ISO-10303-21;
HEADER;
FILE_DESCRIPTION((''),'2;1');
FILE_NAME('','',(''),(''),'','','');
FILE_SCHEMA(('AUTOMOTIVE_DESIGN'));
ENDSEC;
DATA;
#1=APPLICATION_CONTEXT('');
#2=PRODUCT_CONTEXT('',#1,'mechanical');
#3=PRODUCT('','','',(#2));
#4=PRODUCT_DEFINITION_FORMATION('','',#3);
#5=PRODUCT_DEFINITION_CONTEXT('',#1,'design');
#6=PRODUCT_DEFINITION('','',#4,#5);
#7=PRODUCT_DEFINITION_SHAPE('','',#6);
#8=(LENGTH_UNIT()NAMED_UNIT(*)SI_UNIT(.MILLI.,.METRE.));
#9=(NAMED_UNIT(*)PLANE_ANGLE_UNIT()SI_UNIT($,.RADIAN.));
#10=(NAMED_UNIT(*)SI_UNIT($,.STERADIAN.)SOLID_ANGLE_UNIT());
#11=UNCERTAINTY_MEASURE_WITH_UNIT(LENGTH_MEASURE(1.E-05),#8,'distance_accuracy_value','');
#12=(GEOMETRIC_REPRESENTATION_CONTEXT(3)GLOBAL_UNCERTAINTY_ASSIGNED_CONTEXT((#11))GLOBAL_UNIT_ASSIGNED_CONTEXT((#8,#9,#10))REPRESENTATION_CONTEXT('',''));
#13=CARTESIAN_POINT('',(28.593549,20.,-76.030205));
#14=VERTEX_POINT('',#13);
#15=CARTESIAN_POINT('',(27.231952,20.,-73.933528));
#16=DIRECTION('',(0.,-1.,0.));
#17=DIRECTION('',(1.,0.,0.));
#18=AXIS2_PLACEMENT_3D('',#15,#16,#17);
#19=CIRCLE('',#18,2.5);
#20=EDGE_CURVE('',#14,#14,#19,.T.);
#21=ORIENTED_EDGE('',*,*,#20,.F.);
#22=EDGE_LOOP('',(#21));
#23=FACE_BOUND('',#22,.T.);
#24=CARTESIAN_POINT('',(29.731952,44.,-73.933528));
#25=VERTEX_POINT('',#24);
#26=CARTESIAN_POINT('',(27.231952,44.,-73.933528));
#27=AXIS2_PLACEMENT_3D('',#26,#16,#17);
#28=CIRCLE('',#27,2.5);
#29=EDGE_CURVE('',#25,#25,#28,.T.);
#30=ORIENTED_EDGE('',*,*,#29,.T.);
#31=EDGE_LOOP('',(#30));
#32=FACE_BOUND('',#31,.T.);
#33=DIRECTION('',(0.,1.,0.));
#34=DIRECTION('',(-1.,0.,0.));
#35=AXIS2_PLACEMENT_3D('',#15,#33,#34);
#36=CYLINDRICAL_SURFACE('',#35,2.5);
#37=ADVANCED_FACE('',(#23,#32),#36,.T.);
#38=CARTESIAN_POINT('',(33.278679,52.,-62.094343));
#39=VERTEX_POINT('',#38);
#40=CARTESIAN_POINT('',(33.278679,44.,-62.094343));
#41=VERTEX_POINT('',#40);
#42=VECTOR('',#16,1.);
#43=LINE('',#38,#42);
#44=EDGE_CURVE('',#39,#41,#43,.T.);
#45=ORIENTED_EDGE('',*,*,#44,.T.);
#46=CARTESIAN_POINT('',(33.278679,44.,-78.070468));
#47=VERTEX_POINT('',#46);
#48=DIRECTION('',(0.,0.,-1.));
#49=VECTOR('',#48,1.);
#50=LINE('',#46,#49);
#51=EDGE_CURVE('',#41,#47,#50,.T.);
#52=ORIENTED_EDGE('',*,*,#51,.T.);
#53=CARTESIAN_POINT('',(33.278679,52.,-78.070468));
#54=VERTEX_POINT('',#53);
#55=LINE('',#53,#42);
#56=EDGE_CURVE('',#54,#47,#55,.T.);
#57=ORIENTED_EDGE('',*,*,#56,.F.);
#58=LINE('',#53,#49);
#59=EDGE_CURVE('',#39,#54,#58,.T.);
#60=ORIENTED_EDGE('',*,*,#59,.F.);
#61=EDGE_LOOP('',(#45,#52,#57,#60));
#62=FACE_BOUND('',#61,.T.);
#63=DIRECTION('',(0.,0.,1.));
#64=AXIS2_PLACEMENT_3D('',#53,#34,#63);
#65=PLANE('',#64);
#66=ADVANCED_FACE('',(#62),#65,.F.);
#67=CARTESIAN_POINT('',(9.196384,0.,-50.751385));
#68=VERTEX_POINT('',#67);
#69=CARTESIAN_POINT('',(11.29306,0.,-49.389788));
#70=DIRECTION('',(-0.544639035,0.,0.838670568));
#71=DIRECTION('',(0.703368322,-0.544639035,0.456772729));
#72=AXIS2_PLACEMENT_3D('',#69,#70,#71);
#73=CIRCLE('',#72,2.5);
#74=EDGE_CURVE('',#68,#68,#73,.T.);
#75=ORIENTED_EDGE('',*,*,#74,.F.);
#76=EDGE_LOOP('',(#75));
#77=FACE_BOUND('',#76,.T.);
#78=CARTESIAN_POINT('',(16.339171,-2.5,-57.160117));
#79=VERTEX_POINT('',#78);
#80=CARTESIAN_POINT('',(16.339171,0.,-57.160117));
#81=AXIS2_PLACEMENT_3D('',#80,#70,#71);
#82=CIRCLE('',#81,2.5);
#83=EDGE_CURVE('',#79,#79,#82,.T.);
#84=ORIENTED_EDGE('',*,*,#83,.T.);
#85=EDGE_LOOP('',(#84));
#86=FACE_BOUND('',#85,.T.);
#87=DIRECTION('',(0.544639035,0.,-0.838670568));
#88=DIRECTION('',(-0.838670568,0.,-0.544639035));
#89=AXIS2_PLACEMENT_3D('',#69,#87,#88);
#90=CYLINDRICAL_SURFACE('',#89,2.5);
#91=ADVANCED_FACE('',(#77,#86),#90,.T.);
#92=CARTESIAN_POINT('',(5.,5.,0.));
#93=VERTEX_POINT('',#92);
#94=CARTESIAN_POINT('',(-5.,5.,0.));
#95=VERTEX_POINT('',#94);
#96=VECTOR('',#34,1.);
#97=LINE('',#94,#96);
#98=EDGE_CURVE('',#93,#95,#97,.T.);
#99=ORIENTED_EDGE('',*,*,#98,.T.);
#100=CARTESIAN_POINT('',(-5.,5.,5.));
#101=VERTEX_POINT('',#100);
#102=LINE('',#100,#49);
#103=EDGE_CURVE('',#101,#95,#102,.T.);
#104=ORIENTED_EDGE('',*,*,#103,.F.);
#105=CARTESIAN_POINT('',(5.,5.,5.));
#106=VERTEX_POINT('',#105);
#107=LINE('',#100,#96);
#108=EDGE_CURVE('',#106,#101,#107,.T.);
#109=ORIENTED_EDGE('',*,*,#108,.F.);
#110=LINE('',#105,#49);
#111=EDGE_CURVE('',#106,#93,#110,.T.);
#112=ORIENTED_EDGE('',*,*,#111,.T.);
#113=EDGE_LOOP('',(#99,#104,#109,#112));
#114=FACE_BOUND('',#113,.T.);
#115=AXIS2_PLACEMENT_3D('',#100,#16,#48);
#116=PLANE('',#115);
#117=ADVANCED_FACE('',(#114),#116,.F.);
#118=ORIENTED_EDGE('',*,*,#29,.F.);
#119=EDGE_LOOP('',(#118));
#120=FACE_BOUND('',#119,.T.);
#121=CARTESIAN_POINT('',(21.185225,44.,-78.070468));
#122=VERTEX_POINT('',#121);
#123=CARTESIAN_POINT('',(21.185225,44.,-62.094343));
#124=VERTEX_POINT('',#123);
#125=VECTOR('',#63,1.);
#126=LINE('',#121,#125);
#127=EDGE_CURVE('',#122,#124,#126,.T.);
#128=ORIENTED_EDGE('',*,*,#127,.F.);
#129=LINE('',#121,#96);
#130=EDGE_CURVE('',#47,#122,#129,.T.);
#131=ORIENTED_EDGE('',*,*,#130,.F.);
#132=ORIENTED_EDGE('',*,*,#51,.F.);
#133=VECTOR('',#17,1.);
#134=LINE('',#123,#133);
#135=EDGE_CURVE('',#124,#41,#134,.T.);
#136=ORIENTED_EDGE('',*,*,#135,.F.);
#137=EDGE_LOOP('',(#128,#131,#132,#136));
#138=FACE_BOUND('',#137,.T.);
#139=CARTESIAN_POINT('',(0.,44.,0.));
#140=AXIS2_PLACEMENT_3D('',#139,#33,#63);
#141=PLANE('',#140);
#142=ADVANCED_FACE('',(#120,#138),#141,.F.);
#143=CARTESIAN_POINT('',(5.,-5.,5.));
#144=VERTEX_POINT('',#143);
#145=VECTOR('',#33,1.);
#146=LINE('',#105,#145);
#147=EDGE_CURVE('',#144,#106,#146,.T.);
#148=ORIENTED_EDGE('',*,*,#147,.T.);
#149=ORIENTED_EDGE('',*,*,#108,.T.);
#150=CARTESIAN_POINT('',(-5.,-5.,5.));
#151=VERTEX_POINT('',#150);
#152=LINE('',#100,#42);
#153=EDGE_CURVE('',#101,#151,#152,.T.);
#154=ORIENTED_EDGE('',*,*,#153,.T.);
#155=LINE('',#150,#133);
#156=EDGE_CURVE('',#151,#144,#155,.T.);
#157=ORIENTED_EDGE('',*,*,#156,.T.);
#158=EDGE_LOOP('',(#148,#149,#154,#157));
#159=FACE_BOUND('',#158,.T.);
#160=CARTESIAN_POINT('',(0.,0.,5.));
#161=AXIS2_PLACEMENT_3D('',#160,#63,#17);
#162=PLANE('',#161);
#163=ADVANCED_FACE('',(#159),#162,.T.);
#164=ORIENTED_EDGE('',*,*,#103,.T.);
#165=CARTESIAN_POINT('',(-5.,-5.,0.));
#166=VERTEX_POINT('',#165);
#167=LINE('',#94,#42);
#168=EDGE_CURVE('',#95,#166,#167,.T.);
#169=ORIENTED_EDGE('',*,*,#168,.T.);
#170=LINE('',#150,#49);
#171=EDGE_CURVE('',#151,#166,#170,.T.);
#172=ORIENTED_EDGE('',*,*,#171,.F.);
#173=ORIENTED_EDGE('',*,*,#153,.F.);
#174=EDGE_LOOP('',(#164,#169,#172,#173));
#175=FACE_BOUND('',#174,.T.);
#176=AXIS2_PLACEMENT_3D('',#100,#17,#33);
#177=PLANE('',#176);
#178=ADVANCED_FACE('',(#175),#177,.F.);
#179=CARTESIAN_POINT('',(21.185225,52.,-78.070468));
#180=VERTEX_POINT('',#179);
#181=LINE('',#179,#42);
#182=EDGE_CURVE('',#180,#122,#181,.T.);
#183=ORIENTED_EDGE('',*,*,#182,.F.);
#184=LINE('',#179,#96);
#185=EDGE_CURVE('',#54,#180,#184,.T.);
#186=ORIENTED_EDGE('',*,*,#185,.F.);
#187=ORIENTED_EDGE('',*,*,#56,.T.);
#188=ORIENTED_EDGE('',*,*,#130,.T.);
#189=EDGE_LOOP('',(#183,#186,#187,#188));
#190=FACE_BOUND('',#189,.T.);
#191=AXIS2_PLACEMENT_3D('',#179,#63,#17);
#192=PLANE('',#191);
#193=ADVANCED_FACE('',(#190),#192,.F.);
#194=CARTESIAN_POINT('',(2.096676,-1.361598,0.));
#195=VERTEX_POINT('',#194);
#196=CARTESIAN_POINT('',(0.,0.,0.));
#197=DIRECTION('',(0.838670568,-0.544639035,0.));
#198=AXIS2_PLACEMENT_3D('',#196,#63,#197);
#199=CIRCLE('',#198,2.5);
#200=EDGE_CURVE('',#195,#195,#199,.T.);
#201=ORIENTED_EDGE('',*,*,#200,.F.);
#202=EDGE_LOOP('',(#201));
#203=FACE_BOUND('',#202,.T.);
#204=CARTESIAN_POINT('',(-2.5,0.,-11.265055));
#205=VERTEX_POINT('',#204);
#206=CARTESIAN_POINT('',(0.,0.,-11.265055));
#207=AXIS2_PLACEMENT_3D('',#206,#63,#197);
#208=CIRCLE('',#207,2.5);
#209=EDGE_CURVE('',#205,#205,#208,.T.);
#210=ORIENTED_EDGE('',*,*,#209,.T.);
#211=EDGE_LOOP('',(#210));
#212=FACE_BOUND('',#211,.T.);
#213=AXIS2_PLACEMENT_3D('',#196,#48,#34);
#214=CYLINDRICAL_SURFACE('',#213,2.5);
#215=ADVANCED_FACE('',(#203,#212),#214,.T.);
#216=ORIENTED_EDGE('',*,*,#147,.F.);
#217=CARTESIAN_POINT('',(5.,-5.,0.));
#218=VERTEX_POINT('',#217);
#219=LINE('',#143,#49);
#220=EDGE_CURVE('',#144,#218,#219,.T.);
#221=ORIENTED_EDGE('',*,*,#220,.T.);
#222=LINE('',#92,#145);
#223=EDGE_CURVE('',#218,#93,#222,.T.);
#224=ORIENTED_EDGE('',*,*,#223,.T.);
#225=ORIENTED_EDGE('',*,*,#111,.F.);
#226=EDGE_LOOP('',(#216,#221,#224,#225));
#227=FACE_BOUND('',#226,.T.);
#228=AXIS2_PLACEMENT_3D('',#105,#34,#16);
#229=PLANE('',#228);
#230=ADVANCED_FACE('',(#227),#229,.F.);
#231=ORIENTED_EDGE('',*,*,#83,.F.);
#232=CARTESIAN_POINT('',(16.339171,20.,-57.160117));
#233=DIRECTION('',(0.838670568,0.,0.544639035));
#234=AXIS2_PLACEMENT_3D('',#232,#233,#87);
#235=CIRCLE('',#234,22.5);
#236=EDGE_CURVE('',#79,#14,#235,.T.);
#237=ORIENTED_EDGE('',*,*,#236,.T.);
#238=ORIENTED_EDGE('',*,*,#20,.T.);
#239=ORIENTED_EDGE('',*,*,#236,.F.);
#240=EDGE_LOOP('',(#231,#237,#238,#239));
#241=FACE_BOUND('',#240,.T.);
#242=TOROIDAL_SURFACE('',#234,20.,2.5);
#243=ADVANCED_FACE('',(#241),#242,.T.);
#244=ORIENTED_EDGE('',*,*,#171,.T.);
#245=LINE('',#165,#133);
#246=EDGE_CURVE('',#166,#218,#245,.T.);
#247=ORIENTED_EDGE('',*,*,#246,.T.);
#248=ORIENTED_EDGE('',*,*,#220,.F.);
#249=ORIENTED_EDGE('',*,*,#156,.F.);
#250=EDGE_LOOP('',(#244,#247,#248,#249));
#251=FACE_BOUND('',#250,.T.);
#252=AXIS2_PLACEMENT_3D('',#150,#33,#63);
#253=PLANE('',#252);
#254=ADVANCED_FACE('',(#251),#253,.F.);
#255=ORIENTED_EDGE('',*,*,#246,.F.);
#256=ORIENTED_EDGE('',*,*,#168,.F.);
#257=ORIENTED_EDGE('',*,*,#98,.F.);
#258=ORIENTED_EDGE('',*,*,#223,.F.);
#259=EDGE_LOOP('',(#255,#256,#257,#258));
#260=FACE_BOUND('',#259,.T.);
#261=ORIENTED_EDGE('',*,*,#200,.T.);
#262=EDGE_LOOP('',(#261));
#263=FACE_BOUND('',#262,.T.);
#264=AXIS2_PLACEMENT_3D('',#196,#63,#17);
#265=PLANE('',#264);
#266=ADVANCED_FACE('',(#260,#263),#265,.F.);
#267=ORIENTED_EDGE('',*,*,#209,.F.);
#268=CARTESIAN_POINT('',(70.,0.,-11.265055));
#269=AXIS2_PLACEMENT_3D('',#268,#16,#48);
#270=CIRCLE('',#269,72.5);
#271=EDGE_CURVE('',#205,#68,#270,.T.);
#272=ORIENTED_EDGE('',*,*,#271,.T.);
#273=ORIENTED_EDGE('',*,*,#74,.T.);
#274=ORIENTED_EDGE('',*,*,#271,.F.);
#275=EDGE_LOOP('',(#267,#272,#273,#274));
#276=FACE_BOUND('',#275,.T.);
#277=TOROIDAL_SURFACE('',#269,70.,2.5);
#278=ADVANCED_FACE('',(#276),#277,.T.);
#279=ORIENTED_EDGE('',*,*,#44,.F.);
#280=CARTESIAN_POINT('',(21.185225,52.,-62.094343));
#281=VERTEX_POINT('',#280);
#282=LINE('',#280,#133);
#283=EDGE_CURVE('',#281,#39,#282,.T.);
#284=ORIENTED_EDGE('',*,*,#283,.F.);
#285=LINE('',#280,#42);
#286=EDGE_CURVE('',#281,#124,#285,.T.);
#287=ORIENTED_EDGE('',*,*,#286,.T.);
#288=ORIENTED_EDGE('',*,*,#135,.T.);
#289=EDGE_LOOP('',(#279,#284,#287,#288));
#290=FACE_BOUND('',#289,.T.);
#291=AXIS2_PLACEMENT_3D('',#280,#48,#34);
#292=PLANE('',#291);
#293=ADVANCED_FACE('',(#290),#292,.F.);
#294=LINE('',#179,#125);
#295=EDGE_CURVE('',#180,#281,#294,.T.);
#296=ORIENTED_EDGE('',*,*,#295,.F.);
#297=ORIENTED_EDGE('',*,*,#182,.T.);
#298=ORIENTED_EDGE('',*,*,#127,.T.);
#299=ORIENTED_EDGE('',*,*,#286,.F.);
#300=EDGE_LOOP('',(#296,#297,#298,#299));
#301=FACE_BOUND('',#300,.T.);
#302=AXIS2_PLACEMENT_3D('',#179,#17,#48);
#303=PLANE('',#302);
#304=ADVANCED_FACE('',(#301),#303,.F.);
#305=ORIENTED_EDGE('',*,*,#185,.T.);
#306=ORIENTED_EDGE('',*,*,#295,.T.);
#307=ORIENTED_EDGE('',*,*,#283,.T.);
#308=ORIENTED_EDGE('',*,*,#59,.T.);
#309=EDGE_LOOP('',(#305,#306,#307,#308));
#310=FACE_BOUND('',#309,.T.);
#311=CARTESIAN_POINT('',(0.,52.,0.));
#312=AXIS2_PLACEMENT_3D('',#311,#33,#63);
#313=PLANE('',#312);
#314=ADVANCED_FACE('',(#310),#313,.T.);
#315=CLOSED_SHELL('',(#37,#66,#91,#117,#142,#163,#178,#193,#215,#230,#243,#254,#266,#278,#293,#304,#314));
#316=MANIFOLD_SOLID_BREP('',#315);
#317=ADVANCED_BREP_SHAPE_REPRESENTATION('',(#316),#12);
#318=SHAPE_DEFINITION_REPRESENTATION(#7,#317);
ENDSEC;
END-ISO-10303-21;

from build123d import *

# Parameters (mm, degrees)
SWEEP_1_PROFILE_R = 2.5
SKETCH_10_W       = 10
SKETCH_10_H       = 10
EXTRUDE_1_DEPTH   = 5
SKETCH_11_W       = 12.093454082
SKETCH_11_H       = 15.976124646
EXTRUDE_2_DEPTH   = 8


with BuildPart() as part:
    # 扫描1: sweep along a curve in space
    with BuildLine() as sweep_1_path:
        Line((0, 0, 0), (0, 0, -11.265055353))
        ThreePointArc((11.293060244, 0, -49.389787804), (2.882618559, 0, -31.146129482), (0, 0, -11.265055353))
        Line((11.293060244, 0, -49.389787804), (16.33917105, 0, -57.160117038))
        ThreePointArc((27.231951751, 20, -73.933528397), (24.04153015, 5.857864376, -69.020709954), (16.33917105, 0, -57.160117038))
        Line((27.231951751, 20, -73.933528397), (27.231951751, 44, -73.933528397))
    # 扫描1 profile (on start of the path) → 扫描1 (sweep)
    with BuildSketch(Plane(origin=(0, 0, 0), x_dir=(-1, 0, 0), z_dir=(0, 0, -1))):
        Circle(SWEEP_1_PROFILE_R)
    sweep(path=sweep_1_path.line)

    # 草图10 → 凸台-拉伸1 (add)
    with BuildSketch(Plane.XY):
        Rectangle(SKETCH_10_W, SKETCH_10_H)
    extrude(amount=EXTRUDE_1_DEPTH)

    # 草图11 → 凸台-拉伸2 (add)
    with BuildSketch(Plane(origin=(0, 44, 0), x_dir=(1, 0, 0), z_dir=(0, 1, 0))):
        with Locations((27.231951751, 70.082405306)):
            Rectangle(SKETCH_11_W, SKETCH_11_H)
    extrude(amount=EXTRUDE_2_DEPTH)


solid = part.part
